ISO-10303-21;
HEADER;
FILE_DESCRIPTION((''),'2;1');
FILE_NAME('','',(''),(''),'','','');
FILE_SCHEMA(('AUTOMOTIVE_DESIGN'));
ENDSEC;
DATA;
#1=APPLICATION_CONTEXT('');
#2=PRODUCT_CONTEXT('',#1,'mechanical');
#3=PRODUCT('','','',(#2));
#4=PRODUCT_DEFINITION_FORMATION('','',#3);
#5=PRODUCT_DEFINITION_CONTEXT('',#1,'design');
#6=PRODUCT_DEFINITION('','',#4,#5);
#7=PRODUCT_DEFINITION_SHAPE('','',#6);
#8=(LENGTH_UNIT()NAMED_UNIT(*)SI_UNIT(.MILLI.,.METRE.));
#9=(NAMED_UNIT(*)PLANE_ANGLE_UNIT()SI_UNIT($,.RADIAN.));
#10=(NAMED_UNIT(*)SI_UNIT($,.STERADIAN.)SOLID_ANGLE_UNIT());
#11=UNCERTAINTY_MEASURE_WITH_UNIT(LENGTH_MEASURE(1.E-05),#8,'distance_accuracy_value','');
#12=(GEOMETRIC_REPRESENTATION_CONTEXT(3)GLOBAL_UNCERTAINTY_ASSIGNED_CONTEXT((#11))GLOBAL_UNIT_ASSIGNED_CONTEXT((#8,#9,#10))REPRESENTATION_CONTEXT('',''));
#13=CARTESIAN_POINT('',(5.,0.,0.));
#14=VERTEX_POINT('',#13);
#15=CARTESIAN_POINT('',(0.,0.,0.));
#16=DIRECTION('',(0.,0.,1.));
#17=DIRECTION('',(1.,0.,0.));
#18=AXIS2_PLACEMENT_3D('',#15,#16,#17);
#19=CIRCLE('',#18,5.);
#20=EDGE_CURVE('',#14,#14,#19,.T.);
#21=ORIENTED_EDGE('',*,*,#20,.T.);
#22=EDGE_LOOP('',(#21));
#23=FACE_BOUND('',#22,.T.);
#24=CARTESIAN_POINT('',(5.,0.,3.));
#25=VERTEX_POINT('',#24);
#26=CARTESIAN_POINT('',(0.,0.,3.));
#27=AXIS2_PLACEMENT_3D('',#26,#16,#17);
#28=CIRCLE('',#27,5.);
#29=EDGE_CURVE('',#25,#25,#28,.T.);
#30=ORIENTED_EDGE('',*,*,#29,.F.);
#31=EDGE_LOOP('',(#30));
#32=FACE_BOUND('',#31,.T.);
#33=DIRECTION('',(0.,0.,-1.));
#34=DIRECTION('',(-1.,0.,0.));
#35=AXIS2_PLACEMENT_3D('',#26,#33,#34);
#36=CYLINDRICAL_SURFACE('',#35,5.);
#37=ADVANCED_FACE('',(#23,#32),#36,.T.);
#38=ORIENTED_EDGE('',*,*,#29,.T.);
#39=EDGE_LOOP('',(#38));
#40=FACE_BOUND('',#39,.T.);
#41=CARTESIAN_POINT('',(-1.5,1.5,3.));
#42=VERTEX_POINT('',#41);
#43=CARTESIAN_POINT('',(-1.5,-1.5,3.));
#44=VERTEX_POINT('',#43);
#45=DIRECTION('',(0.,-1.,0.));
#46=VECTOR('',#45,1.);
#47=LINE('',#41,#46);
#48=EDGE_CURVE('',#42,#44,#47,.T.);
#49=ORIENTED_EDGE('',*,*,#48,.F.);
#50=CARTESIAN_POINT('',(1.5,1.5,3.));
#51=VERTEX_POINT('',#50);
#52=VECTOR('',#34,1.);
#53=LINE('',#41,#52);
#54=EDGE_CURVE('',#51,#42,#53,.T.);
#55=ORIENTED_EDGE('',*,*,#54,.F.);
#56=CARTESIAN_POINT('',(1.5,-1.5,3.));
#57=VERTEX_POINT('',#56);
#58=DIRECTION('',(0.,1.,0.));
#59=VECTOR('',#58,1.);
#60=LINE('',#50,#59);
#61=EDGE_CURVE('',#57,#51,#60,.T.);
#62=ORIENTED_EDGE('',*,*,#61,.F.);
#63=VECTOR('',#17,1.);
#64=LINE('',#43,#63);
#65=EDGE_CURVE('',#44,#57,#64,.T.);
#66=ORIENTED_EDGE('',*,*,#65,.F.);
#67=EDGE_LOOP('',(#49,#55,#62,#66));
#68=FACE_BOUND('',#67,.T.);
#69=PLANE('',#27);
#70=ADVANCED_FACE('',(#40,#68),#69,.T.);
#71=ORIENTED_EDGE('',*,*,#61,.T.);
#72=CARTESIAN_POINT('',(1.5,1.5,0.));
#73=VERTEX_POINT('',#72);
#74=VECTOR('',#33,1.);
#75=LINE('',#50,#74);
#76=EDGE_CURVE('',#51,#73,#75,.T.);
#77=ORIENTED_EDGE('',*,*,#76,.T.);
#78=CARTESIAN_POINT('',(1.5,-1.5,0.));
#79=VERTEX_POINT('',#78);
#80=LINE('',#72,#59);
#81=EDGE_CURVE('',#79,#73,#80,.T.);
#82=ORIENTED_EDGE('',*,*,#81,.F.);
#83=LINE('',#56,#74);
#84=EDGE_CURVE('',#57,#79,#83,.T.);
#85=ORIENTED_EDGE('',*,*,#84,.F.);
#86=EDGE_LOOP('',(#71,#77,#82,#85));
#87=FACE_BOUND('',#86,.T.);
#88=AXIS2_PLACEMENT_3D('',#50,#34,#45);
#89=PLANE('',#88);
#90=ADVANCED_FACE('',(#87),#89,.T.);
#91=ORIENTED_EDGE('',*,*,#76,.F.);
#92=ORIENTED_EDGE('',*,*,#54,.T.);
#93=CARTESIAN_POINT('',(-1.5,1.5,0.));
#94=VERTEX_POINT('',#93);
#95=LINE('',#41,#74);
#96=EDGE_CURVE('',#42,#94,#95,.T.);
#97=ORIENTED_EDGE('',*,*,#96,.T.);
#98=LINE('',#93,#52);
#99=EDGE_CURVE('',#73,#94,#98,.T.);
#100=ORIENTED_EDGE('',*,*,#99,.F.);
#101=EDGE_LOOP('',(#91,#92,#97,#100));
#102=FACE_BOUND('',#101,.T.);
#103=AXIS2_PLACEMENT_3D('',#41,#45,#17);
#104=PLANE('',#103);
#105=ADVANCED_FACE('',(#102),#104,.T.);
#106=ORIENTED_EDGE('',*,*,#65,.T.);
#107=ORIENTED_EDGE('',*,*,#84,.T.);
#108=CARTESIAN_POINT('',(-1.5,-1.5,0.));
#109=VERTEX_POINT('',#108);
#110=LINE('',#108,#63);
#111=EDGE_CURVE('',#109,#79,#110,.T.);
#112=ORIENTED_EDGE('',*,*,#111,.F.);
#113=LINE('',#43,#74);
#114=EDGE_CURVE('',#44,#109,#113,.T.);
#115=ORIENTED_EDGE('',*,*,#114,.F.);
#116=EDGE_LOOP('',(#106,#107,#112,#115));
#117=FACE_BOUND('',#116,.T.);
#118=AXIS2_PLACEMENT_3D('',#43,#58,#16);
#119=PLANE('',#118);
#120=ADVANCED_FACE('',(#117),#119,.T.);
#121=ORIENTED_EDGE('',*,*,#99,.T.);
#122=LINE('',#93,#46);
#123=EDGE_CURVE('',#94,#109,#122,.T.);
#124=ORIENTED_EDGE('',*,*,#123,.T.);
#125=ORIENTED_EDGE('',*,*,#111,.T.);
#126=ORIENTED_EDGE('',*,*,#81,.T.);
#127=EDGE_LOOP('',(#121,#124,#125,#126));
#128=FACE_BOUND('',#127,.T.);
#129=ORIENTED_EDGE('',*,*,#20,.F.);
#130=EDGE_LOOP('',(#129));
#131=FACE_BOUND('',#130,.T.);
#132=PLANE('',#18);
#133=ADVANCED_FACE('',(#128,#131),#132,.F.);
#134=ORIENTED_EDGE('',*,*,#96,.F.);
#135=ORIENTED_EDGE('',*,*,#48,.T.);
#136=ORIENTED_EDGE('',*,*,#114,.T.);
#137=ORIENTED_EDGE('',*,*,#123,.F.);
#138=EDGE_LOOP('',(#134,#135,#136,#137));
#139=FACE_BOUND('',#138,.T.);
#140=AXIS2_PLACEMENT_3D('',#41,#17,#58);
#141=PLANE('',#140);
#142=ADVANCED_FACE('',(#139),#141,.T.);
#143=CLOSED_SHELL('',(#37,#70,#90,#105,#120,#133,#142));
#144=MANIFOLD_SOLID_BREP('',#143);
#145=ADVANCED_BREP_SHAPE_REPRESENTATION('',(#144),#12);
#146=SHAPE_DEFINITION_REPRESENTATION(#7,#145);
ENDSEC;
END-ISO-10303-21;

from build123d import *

# Parameters (mm, degrees)
SKETCH2_R           = 5
SKETCH2_W           = 3
SKETCH2_H           = 3
BOSS_EXTRUDE2_DEPTH = 3


with BuildPart() as part:
    # Sketch2 → Boss-Extrude2 (new body)
    with BuildSketch(Plane.XY):
        Circle(SKETCH2_R)
        Rectangle(SKETCH2_W, SKETCH2_H, mode=Mode.SUBTRACT)
    extrude(amount=BOSS_EXTRUDE2_DEPTH)


solid = part.part
